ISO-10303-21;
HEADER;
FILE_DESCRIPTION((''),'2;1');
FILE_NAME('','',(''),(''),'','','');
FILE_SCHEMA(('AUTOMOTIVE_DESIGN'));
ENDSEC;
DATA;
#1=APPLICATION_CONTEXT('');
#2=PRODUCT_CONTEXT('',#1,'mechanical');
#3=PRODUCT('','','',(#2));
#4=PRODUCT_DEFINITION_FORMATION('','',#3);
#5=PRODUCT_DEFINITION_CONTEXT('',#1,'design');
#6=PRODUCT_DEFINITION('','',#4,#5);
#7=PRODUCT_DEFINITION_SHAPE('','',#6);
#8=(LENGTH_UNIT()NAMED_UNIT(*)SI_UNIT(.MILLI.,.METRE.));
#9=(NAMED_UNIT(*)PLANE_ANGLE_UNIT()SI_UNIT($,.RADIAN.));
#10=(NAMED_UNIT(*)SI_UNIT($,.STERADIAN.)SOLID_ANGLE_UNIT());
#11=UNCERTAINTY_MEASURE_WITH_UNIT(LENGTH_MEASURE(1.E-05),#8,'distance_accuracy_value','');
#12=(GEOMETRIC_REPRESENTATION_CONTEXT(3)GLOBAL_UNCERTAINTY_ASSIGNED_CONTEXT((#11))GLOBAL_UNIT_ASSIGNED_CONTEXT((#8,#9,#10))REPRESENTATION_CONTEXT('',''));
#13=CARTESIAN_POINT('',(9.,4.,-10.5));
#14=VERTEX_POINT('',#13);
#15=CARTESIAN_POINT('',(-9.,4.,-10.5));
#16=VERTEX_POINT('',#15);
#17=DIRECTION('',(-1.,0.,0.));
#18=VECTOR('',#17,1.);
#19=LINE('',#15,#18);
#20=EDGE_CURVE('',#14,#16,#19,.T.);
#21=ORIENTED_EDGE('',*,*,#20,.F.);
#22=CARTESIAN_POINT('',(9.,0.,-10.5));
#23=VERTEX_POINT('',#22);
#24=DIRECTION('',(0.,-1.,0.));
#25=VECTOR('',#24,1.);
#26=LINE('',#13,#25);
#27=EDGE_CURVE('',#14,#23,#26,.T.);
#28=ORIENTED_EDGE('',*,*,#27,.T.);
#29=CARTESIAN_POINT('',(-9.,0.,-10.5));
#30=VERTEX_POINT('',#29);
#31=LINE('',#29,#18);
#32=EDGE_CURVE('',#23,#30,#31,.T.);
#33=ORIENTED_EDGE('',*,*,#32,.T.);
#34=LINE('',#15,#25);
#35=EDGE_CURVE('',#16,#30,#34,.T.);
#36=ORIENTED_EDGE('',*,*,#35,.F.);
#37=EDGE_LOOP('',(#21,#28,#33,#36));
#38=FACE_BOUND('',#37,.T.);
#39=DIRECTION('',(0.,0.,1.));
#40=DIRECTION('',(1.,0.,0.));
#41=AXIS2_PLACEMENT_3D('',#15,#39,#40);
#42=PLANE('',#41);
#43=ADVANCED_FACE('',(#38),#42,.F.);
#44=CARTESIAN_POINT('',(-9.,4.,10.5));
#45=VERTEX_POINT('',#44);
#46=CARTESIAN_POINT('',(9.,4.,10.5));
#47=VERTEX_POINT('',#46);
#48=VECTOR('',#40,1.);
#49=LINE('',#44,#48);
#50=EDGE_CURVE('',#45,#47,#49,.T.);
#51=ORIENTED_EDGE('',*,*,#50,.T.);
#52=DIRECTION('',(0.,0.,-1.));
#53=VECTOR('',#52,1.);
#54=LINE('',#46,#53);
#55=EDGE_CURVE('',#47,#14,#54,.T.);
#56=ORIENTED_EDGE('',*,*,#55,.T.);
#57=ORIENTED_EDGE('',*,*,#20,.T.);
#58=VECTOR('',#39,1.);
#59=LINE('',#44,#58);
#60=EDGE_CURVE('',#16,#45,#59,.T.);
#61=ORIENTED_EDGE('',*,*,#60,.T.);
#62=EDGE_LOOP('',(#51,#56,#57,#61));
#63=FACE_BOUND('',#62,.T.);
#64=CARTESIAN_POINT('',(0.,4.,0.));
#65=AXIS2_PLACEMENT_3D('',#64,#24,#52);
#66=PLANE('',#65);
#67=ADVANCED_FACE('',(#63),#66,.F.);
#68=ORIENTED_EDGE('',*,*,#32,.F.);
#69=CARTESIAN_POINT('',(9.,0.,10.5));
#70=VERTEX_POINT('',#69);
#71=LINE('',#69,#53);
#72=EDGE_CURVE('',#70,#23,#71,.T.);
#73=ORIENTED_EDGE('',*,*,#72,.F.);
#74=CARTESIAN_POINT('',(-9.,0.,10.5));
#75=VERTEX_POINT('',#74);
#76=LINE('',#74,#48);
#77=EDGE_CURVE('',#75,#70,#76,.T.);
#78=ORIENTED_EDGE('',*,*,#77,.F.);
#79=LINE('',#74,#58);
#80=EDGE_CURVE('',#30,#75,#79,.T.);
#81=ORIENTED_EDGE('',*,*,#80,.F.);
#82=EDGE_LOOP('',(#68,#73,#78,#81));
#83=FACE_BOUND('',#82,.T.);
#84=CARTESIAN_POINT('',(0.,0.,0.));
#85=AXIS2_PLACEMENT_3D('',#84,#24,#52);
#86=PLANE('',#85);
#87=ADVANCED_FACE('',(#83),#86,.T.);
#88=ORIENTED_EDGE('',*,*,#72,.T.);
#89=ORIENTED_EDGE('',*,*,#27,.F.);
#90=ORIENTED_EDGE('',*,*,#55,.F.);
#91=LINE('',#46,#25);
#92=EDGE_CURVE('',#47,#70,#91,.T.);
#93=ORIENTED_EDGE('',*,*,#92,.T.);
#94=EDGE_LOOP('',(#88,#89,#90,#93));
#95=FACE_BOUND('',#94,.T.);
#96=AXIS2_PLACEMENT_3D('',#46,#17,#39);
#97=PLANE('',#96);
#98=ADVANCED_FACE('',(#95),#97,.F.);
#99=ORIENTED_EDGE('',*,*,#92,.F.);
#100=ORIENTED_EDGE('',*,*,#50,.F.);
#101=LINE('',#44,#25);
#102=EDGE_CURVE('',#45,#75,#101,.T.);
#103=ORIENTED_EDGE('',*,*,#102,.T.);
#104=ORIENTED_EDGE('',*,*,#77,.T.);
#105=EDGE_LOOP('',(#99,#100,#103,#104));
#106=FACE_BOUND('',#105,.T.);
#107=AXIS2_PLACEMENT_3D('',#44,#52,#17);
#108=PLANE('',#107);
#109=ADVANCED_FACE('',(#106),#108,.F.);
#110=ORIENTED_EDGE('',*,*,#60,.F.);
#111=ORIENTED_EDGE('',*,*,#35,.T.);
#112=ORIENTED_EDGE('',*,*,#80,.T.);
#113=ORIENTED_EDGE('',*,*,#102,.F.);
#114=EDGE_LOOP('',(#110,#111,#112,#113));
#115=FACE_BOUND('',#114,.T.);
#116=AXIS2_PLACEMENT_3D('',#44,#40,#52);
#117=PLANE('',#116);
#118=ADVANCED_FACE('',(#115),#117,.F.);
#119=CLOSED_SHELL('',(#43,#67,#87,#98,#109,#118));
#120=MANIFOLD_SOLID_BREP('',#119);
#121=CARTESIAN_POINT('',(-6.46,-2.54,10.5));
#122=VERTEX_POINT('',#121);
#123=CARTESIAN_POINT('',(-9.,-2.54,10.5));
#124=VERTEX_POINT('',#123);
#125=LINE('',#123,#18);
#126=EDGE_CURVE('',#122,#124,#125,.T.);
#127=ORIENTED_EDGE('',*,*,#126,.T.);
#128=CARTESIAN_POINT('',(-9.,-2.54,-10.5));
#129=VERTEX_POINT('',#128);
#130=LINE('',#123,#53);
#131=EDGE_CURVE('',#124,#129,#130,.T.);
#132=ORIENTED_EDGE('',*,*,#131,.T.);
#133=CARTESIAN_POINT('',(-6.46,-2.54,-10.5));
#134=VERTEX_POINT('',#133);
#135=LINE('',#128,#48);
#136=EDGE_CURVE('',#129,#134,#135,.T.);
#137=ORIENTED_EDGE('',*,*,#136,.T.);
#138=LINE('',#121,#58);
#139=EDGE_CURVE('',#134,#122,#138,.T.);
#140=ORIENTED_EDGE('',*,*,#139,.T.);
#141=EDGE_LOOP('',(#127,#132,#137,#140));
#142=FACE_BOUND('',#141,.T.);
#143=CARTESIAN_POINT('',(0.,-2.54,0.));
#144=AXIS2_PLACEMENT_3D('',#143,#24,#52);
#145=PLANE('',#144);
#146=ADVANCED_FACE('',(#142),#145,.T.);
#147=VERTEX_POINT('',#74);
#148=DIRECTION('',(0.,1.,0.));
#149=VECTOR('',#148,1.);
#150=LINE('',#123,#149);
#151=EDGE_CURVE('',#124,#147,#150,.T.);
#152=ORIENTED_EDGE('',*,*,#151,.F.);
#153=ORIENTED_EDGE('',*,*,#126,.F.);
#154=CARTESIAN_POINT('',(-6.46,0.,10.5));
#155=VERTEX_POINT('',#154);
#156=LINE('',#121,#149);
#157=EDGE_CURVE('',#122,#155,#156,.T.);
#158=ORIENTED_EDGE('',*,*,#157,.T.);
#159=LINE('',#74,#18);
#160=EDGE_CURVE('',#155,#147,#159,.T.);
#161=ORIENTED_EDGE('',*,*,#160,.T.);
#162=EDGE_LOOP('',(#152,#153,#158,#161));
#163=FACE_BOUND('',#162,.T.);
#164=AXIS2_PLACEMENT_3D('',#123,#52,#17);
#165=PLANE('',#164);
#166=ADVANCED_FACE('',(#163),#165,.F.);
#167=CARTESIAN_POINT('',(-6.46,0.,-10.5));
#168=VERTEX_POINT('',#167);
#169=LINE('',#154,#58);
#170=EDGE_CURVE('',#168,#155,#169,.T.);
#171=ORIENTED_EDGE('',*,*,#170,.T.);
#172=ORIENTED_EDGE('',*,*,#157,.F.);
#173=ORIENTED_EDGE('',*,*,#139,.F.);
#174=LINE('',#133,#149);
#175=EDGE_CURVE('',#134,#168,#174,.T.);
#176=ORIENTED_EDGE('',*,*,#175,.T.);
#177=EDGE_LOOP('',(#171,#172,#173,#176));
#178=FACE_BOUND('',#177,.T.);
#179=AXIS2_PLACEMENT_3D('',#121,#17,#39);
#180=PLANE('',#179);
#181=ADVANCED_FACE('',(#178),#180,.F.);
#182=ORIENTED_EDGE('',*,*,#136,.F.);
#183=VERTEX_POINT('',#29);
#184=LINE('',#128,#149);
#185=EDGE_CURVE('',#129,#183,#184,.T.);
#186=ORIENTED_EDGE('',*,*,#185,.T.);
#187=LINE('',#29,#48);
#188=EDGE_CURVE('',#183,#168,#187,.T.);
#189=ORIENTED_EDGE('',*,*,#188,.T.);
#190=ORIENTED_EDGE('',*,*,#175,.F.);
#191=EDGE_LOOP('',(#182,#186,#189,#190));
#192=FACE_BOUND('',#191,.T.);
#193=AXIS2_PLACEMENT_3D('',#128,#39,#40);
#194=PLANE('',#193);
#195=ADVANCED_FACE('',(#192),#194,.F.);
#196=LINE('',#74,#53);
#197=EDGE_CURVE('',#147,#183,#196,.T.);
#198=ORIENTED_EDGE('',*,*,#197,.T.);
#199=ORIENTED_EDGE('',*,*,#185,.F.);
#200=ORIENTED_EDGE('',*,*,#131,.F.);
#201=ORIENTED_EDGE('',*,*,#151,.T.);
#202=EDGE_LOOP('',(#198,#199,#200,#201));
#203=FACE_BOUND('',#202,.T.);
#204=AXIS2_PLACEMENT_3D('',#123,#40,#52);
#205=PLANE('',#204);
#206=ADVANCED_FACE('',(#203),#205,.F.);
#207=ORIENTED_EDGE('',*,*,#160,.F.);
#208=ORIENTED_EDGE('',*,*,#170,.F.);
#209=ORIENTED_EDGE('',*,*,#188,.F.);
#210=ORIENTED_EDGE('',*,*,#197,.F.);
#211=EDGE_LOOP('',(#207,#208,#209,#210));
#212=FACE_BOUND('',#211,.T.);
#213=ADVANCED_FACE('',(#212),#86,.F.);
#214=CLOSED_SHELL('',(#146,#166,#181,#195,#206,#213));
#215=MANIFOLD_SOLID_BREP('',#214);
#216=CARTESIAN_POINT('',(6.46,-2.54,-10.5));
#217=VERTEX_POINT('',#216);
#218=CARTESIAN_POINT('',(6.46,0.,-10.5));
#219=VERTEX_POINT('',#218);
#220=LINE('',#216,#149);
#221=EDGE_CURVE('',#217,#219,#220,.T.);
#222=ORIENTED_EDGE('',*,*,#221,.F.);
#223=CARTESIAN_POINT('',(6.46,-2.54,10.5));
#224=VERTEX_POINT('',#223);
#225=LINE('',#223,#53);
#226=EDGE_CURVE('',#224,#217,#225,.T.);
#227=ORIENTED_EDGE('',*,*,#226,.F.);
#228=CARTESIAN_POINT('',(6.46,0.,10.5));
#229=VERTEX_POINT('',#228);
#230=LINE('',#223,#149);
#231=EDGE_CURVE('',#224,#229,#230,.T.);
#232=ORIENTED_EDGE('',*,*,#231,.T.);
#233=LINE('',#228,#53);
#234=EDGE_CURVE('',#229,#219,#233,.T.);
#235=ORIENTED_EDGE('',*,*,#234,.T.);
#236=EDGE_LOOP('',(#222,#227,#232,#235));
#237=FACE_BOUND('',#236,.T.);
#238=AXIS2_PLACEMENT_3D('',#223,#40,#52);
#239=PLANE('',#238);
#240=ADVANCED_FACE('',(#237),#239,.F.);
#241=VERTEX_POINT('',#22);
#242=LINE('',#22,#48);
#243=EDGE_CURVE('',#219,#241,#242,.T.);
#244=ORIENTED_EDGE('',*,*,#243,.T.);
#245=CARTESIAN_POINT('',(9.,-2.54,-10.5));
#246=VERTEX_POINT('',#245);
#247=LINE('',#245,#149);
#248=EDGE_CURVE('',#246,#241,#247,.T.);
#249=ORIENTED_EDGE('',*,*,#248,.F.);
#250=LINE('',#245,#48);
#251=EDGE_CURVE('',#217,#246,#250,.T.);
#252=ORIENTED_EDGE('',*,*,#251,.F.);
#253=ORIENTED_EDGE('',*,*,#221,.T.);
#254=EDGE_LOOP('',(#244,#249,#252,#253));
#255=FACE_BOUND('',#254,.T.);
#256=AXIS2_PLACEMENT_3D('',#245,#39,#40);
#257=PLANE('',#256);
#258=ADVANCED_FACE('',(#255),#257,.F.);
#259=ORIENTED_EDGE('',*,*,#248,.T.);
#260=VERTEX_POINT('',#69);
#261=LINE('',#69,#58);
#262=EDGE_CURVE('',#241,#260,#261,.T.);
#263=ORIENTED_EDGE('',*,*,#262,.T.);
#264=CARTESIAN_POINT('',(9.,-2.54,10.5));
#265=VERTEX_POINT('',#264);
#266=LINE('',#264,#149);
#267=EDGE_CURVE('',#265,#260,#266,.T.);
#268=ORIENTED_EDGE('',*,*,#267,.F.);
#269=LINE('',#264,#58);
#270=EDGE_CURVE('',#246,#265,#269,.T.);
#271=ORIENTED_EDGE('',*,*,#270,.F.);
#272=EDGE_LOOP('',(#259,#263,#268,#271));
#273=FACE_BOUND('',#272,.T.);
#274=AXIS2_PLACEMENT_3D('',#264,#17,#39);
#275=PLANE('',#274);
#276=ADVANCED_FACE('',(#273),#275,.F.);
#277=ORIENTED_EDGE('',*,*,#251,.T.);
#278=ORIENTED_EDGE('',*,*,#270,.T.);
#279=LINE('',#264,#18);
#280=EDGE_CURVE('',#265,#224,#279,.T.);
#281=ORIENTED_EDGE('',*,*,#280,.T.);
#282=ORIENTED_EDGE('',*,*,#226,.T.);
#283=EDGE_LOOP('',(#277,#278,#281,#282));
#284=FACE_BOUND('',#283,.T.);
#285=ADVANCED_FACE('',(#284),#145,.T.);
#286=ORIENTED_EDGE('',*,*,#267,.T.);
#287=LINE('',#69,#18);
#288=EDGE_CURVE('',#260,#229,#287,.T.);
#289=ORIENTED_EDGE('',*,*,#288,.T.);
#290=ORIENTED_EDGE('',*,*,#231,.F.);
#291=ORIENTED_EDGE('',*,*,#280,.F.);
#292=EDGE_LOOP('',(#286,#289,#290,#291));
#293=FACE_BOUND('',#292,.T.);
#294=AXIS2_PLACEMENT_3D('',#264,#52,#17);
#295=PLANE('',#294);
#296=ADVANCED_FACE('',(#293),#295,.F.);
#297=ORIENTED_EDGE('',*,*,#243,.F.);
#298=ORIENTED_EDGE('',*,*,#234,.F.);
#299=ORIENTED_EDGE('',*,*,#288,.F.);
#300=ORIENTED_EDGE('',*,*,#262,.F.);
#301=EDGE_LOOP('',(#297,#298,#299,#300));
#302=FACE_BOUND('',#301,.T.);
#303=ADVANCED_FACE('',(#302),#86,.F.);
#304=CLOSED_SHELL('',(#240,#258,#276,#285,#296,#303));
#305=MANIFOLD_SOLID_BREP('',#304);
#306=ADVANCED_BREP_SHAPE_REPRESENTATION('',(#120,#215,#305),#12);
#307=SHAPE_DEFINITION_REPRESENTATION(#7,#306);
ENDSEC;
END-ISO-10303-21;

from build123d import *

# Parameters (mm, degrees)
SKETCH_1_W        = 18
SKETCH_1_H        = 21
EXTRUDE_1_DEPTH   = 4
SKETCH_2_W        = 2.54
SKETCH_2_H        = 21
EXTRUDE_2_DEPTH   = 2.54
EXTRUDE_2_2_DEPTH = 2.54


with BuildPart() as part:
    # Эскиз1 → Бобышка-Вытянуть1 (new body)
    with BuildSketch(Plane(origin=(0, 0, 0), x_dir=(1, 0, 0), z_dir=(0, 1, 0))):
        Rectangle(SKETCH_1_W, SKETCH_1_H)
    extrude(amount=EXTRUDE_1_DEPTH)


with BuildPart() as body_2:
    # Эскиз2 → Бобышка-Вытянуть2 (new body)
    with BuildSketch(Plane.XZ):
        with Locations((7.73, 0)):
            Rectangle(SKETCH_2_W, SKETCH_2_H)
    extrude(amount=EXTRUDE_2_DEPTH)


with BuildPart() as body_3:
    # Эскиз2 → Extrude 2 2 (new body)
    with BuildSketch(Plane.XZ):
        with Locations((-7.73, 0)):
            Rectangle(SKETCH_2_W, SKETCH_2_H)
    extrude(amount=EXTRUDE_2_2_DEPTH)


solid = Compound([part.part, body_2.part, body_3.part])
